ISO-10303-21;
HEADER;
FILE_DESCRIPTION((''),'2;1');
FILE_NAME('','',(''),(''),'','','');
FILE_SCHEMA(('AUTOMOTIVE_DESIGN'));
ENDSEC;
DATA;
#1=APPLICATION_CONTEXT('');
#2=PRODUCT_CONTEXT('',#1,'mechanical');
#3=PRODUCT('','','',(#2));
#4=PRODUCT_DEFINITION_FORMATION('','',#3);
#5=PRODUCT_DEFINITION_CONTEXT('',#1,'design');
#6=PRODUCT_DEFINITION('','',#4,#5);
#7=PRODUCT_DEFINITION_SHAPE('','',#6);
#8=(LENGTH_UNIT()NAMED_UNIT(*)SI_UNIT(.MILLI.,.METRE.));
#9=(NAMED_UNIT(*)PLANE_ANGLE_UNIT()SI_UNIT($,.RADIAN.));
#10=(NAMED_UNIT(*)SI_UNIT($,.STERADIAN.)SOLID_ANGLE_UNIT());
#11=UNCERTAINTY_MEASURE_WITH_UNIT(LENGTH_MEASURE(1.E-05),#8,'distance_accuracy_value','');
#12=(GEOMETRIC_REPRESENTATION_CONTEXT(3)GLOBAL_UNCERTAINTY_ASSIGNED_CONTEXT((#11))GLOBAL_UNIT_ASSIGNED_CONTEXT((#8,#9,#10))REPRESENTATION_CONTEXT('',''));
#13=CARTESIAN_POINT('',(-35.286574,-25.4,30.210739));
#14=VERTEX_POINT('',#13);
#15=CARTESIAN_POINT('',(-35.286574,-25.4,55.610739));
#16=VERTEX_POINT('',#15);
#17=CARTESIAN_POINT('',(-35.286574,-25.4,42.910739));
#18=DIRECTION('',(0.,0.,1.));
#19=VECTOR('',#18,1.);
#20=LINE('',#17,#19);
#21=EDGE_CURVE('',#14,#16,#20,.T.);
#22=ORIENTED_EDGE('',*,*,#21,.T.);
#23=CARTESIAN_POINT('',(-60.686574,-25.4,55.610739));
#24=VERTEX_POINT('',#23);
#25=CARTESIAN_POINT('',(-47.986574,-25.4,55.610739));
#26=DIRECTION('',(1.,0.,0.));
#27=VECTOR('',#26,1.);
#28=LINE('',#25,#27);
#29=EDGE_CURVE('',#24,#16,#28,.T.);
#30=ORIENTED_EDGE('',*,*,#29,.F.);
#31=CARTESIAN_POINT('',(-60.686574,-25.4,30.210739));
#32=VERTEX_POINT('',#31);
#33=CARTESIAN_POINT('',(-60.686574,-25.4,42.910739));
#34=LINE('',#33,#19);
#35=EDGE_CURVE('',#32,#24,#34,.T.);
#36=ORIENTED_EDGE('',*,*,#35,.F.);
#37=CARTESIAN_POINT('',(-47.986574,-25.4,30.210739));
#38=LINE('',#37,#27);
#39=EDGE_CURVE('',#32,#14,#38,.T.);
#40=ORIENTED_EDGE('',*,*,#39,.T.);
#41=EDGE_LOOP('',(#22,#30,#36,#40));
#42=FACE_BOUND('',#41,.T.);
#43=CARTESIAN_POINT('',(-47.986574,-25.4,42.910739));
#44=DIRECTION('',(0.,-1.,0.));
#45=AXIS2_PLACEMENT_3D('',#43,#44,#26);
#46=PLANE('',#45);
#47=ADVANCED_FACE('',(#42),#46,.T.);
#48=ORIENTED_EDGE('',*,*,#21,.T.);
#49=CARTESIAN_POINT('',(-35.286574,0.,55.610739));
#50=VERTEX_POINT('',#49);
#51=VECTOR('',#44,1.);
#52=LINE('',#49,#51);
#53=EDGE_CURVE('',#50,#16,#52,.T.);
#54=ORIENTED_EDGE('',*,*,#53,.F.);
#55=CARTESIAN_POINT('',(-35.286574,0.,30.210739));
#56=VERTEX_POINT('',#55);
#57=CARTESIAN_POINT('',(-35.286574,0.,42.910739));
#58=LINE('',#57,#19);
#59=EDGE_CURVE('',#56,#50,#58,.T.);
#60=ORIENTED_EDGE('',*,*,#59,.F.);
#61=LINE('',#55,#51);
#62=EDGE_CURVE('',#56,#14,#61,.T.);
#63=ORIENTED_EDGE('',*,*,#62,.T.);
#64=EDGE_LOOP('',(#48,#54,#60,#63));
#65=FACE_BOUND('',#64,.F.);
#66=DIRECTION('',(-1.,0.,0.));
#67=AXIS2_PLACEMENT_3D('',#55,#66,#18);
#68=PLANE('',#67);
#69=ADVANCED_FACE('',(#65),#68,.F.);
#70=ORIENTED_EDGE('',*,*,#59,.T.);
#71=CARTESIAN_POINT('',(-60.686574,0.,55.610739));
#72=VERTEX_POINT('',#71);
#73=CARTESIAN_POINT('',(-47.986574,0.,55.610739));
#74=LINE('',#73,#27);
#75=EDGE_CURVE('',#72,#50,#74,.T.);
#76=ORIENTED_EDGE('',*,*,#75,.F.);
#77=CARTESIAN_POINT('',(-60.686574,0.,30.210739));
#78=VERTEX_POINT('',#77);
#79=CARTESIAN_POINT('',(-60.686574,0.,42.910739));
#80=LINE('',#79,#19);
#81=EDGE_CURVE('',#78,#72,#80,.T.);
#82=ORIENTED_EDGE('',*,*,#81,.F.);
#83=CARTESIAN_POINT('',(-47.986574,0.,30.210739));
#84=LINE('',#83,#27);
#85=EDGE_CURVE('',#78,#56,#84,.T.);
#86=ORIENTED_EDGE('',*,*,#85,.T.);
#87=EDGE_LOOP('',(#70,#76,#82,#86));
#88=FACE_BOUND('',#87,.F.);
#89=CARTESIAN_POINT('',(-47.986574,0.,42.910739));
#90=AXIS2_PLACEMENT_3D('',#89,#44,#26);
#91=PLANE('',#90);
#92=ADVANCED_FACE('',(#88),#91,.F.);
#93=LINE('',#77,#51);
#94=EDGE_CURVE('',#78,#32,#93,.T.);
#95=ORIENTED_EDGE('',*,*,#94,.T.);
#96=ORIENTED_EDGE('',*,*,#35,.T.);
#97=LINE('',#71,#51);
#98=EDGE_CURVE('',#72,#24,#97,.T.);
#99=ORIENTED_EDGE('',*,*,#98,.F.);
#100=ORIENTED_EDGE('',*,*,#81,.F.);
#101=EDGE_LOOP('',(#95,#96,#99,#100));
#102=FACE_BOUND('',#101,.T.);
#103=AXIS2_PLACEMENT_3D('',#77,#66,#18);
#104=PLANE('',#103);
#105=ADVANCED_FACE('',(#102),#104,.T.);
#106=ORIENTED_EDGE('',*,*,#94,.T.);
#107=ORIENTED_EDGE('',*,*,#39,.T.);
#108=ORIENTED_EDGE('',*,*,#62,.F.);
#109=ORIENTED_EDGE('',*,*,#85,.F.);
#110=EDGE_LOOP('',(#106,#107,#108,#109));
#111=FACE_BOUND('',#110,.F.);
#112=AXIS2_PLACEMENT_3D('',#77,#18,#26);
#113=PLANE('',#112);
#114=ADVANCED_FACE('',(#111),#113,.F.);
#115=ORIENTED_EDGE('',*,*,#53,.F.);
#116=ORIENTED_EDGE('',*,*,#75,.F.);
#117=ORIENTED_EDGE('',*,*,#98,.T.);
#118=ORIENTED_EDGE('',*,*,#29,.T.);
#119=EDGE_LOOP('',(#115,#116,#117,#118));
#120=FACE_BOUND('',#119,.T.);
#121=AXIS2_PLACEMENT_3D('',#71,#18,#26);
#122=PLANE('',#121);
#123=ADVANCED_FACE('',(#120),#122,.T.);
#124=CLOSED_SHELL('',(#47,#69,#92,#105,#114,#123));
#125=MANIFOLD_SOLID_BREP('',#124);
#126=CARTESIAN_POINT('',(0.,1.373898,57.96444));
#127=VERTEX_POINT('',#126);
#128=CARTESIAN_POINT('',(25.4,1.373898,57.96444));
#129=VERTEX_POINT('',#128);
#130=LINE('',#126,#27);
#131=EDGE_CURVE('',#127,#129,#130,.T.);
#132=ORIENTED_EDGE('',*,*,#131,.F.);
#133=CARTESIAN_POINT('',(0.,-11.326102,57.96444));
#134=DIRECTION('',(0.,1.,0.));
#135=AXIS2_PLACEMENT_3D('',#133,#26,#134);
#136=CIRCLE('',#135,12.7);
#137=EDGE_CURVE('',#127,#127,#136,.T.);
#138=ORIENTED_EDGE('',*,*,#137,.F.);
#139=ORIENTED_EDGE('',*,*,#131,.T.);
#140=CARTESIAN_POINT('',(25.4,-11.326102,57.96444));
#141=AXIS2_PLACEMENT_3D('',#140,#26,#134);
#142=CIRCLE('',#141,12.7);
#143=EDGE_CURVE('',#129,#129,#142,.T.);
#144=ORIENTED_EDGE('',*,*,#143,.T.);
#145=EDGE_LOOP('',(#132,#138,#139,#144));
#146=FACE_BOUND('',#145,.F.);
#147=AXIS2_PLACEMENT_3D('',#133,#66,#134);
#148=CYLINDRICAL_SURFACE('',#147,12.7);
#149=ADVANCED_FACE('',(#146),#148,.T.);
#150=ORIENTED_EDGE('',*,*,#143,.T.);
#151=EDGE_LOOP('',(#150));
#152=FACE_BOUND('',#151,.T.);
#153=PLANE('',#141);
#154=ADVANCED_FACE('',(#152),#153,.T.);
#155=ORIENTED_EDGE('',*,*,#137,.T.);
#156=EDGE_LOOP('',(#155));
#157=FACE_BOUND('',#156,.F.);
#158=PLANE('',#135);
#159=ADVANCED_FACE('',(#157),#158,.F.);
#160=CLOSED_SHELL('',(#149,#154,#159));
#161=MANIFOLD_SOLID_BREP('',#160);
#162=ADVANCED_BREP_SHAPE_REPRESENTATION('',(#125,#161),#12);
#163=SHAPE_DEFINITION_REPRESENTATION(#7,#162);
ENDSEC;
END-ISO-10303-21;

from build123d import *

# Parameters (mm, degrees)
F0_W     = 25.4
F0_H     = 25.4
F1_DEPTH = 25.4
F2_R     = 12.7
F3_DEPTH = 25.4


with BuildPart() as f1:
    # F0 (on Front) → F1 (new body)
    with BuildSketch(Plane.XZ):
        with Locations((-47.986574, 42.910739)):
            Rectangle(F0_W, F0_H)
    extrude(amount=F1_DEPTH)


with BuildPart() as f3:
    # F2 (on Right) → F3 (new body)
    with BuildSketch(Plane.YZ):
        with Locations((-11.326102, 57.96444)):
            Circle(F2_R)
    extrude(amount=F3_DEPTH)


solid = Compound([f1.part, f3.part])
